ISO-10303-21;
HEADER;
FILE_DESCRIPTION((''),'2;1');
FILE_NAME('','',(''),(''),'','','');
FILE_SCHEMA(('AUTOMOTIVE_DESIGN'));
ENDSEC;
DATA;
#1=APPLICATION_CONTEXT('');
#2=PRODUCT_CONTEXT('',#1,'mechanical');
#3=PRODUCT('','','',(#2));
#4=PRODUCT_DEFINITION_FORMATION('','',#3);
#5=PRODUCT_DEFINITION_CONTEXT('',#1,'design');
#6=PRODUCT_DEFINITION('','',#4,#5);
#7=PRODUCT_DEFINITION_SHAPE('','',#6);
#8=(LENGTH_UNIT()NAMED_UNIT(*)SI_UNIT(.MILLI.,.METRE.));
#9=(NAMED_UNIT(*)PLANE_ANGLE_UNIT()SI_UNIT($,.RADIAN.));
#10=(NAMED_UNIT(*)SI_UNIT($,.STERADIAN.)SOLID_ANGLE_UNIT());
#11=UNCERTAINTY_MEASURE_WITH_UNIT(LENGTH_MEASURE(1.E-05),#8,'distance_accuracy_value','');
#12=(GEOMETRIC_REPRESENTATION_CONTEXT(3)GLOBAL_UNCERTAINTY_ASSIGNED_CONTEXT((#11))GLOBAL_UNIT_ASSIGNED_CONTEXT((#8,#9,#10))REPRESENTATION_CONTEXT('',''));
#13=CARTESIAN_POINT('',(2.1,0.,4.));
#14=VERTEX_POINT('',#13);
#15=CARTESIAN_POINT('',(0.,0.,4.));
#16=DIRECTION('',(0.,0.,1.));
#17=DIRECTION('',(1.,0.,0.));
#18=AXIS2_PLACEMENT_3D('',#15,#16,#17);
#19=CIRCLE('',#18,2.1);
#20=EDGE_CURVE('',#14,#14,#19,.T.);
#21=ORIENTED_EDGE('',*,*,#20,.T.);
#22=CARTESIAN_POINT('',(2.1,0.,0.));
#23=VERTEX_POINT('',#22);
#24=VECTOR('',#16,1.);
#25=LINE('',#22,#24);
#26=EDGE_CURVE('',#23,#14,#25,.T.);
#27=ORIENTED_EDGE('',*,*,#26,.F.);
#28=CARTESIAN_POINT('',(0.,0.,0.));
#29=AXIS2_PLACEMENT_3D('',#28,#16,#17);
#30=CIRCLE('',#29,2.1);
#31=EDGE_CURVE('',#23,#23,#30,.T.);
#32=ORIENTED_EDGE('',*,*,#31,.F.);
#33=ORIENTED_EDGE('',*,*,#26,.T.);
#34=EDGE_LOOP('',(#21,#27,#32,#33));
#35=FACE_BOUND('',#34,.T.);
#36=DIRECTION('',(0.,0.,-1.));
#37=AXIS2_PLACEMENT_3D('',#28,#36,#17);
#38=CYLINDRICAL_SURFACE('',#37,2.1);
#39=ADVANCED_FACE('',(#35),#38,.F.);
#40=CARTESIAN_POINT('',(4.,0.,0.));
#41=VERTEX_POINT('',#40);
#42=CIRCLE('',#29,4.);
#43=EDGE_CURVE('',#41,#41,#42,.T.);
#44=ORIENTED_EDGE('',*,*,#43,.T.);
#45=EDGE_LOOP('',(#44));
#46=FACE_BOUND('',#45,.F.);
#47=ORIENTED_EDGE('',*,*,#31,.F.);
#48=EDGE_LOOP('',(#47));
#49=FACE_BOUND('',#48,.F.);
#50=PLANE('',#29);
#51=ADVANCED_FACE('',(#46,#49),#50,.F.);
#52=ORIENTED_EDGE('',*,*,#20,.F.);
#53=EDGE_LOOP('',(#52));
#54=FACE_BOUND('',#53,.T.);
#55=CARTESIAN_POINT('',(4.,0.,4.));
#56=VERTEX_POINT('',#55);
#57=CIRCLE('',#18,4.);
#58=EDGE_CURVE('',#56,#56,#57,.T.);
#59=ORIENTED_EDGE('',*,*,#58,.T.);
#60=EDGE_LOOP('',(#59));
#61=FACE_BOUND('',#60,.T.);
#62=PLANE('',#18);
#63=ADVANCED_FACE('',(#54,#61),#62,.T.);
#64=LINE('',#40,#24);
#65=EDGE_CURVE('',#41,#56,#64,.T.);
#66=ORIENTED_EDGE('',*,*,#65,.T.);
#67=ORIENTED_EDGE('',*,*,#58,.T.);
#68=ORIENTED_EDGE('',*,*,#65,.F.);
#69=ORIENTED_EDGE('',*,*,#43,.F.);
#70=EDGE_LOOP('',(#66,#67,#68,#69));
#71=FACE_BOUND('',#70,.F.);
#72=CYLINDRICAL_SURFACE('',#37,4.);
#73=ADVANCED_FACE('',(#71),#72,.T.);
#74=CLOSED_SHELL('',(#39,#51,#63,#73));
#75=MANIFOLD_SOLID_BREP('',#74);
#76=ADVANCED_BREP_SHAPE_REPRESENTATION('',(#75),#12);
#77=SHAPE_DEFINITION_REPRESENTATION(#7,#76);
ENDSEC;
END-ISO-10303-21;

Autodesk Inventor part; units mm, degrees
ref_plane "YZ Plane" through (0, 0, 0) normal (1, 0, 0) x (0, 1, 0)
ref_plane "XZ Plane" through (0, 0, 0) normal (0, 1, 0) x (-1, 0, 0)
ref_plane "XY Plane" through (0, 0, 0) normal (0, 0, 1) x (1, 0, 0)
sketch "Boceto1" plane through (0, 0, 0) normal (0, 0, 1) x (1, 0, 0)
  circle A0 centre (0, 0) radius 4
  circle A1 centre (0, 0) radius 2.1
  dimension "d0" = 8
  dimension "d1" = 4.2
extrude "Extrusión1" add sketch "Boceto1" along normal blind 4
properties part number "separador"
